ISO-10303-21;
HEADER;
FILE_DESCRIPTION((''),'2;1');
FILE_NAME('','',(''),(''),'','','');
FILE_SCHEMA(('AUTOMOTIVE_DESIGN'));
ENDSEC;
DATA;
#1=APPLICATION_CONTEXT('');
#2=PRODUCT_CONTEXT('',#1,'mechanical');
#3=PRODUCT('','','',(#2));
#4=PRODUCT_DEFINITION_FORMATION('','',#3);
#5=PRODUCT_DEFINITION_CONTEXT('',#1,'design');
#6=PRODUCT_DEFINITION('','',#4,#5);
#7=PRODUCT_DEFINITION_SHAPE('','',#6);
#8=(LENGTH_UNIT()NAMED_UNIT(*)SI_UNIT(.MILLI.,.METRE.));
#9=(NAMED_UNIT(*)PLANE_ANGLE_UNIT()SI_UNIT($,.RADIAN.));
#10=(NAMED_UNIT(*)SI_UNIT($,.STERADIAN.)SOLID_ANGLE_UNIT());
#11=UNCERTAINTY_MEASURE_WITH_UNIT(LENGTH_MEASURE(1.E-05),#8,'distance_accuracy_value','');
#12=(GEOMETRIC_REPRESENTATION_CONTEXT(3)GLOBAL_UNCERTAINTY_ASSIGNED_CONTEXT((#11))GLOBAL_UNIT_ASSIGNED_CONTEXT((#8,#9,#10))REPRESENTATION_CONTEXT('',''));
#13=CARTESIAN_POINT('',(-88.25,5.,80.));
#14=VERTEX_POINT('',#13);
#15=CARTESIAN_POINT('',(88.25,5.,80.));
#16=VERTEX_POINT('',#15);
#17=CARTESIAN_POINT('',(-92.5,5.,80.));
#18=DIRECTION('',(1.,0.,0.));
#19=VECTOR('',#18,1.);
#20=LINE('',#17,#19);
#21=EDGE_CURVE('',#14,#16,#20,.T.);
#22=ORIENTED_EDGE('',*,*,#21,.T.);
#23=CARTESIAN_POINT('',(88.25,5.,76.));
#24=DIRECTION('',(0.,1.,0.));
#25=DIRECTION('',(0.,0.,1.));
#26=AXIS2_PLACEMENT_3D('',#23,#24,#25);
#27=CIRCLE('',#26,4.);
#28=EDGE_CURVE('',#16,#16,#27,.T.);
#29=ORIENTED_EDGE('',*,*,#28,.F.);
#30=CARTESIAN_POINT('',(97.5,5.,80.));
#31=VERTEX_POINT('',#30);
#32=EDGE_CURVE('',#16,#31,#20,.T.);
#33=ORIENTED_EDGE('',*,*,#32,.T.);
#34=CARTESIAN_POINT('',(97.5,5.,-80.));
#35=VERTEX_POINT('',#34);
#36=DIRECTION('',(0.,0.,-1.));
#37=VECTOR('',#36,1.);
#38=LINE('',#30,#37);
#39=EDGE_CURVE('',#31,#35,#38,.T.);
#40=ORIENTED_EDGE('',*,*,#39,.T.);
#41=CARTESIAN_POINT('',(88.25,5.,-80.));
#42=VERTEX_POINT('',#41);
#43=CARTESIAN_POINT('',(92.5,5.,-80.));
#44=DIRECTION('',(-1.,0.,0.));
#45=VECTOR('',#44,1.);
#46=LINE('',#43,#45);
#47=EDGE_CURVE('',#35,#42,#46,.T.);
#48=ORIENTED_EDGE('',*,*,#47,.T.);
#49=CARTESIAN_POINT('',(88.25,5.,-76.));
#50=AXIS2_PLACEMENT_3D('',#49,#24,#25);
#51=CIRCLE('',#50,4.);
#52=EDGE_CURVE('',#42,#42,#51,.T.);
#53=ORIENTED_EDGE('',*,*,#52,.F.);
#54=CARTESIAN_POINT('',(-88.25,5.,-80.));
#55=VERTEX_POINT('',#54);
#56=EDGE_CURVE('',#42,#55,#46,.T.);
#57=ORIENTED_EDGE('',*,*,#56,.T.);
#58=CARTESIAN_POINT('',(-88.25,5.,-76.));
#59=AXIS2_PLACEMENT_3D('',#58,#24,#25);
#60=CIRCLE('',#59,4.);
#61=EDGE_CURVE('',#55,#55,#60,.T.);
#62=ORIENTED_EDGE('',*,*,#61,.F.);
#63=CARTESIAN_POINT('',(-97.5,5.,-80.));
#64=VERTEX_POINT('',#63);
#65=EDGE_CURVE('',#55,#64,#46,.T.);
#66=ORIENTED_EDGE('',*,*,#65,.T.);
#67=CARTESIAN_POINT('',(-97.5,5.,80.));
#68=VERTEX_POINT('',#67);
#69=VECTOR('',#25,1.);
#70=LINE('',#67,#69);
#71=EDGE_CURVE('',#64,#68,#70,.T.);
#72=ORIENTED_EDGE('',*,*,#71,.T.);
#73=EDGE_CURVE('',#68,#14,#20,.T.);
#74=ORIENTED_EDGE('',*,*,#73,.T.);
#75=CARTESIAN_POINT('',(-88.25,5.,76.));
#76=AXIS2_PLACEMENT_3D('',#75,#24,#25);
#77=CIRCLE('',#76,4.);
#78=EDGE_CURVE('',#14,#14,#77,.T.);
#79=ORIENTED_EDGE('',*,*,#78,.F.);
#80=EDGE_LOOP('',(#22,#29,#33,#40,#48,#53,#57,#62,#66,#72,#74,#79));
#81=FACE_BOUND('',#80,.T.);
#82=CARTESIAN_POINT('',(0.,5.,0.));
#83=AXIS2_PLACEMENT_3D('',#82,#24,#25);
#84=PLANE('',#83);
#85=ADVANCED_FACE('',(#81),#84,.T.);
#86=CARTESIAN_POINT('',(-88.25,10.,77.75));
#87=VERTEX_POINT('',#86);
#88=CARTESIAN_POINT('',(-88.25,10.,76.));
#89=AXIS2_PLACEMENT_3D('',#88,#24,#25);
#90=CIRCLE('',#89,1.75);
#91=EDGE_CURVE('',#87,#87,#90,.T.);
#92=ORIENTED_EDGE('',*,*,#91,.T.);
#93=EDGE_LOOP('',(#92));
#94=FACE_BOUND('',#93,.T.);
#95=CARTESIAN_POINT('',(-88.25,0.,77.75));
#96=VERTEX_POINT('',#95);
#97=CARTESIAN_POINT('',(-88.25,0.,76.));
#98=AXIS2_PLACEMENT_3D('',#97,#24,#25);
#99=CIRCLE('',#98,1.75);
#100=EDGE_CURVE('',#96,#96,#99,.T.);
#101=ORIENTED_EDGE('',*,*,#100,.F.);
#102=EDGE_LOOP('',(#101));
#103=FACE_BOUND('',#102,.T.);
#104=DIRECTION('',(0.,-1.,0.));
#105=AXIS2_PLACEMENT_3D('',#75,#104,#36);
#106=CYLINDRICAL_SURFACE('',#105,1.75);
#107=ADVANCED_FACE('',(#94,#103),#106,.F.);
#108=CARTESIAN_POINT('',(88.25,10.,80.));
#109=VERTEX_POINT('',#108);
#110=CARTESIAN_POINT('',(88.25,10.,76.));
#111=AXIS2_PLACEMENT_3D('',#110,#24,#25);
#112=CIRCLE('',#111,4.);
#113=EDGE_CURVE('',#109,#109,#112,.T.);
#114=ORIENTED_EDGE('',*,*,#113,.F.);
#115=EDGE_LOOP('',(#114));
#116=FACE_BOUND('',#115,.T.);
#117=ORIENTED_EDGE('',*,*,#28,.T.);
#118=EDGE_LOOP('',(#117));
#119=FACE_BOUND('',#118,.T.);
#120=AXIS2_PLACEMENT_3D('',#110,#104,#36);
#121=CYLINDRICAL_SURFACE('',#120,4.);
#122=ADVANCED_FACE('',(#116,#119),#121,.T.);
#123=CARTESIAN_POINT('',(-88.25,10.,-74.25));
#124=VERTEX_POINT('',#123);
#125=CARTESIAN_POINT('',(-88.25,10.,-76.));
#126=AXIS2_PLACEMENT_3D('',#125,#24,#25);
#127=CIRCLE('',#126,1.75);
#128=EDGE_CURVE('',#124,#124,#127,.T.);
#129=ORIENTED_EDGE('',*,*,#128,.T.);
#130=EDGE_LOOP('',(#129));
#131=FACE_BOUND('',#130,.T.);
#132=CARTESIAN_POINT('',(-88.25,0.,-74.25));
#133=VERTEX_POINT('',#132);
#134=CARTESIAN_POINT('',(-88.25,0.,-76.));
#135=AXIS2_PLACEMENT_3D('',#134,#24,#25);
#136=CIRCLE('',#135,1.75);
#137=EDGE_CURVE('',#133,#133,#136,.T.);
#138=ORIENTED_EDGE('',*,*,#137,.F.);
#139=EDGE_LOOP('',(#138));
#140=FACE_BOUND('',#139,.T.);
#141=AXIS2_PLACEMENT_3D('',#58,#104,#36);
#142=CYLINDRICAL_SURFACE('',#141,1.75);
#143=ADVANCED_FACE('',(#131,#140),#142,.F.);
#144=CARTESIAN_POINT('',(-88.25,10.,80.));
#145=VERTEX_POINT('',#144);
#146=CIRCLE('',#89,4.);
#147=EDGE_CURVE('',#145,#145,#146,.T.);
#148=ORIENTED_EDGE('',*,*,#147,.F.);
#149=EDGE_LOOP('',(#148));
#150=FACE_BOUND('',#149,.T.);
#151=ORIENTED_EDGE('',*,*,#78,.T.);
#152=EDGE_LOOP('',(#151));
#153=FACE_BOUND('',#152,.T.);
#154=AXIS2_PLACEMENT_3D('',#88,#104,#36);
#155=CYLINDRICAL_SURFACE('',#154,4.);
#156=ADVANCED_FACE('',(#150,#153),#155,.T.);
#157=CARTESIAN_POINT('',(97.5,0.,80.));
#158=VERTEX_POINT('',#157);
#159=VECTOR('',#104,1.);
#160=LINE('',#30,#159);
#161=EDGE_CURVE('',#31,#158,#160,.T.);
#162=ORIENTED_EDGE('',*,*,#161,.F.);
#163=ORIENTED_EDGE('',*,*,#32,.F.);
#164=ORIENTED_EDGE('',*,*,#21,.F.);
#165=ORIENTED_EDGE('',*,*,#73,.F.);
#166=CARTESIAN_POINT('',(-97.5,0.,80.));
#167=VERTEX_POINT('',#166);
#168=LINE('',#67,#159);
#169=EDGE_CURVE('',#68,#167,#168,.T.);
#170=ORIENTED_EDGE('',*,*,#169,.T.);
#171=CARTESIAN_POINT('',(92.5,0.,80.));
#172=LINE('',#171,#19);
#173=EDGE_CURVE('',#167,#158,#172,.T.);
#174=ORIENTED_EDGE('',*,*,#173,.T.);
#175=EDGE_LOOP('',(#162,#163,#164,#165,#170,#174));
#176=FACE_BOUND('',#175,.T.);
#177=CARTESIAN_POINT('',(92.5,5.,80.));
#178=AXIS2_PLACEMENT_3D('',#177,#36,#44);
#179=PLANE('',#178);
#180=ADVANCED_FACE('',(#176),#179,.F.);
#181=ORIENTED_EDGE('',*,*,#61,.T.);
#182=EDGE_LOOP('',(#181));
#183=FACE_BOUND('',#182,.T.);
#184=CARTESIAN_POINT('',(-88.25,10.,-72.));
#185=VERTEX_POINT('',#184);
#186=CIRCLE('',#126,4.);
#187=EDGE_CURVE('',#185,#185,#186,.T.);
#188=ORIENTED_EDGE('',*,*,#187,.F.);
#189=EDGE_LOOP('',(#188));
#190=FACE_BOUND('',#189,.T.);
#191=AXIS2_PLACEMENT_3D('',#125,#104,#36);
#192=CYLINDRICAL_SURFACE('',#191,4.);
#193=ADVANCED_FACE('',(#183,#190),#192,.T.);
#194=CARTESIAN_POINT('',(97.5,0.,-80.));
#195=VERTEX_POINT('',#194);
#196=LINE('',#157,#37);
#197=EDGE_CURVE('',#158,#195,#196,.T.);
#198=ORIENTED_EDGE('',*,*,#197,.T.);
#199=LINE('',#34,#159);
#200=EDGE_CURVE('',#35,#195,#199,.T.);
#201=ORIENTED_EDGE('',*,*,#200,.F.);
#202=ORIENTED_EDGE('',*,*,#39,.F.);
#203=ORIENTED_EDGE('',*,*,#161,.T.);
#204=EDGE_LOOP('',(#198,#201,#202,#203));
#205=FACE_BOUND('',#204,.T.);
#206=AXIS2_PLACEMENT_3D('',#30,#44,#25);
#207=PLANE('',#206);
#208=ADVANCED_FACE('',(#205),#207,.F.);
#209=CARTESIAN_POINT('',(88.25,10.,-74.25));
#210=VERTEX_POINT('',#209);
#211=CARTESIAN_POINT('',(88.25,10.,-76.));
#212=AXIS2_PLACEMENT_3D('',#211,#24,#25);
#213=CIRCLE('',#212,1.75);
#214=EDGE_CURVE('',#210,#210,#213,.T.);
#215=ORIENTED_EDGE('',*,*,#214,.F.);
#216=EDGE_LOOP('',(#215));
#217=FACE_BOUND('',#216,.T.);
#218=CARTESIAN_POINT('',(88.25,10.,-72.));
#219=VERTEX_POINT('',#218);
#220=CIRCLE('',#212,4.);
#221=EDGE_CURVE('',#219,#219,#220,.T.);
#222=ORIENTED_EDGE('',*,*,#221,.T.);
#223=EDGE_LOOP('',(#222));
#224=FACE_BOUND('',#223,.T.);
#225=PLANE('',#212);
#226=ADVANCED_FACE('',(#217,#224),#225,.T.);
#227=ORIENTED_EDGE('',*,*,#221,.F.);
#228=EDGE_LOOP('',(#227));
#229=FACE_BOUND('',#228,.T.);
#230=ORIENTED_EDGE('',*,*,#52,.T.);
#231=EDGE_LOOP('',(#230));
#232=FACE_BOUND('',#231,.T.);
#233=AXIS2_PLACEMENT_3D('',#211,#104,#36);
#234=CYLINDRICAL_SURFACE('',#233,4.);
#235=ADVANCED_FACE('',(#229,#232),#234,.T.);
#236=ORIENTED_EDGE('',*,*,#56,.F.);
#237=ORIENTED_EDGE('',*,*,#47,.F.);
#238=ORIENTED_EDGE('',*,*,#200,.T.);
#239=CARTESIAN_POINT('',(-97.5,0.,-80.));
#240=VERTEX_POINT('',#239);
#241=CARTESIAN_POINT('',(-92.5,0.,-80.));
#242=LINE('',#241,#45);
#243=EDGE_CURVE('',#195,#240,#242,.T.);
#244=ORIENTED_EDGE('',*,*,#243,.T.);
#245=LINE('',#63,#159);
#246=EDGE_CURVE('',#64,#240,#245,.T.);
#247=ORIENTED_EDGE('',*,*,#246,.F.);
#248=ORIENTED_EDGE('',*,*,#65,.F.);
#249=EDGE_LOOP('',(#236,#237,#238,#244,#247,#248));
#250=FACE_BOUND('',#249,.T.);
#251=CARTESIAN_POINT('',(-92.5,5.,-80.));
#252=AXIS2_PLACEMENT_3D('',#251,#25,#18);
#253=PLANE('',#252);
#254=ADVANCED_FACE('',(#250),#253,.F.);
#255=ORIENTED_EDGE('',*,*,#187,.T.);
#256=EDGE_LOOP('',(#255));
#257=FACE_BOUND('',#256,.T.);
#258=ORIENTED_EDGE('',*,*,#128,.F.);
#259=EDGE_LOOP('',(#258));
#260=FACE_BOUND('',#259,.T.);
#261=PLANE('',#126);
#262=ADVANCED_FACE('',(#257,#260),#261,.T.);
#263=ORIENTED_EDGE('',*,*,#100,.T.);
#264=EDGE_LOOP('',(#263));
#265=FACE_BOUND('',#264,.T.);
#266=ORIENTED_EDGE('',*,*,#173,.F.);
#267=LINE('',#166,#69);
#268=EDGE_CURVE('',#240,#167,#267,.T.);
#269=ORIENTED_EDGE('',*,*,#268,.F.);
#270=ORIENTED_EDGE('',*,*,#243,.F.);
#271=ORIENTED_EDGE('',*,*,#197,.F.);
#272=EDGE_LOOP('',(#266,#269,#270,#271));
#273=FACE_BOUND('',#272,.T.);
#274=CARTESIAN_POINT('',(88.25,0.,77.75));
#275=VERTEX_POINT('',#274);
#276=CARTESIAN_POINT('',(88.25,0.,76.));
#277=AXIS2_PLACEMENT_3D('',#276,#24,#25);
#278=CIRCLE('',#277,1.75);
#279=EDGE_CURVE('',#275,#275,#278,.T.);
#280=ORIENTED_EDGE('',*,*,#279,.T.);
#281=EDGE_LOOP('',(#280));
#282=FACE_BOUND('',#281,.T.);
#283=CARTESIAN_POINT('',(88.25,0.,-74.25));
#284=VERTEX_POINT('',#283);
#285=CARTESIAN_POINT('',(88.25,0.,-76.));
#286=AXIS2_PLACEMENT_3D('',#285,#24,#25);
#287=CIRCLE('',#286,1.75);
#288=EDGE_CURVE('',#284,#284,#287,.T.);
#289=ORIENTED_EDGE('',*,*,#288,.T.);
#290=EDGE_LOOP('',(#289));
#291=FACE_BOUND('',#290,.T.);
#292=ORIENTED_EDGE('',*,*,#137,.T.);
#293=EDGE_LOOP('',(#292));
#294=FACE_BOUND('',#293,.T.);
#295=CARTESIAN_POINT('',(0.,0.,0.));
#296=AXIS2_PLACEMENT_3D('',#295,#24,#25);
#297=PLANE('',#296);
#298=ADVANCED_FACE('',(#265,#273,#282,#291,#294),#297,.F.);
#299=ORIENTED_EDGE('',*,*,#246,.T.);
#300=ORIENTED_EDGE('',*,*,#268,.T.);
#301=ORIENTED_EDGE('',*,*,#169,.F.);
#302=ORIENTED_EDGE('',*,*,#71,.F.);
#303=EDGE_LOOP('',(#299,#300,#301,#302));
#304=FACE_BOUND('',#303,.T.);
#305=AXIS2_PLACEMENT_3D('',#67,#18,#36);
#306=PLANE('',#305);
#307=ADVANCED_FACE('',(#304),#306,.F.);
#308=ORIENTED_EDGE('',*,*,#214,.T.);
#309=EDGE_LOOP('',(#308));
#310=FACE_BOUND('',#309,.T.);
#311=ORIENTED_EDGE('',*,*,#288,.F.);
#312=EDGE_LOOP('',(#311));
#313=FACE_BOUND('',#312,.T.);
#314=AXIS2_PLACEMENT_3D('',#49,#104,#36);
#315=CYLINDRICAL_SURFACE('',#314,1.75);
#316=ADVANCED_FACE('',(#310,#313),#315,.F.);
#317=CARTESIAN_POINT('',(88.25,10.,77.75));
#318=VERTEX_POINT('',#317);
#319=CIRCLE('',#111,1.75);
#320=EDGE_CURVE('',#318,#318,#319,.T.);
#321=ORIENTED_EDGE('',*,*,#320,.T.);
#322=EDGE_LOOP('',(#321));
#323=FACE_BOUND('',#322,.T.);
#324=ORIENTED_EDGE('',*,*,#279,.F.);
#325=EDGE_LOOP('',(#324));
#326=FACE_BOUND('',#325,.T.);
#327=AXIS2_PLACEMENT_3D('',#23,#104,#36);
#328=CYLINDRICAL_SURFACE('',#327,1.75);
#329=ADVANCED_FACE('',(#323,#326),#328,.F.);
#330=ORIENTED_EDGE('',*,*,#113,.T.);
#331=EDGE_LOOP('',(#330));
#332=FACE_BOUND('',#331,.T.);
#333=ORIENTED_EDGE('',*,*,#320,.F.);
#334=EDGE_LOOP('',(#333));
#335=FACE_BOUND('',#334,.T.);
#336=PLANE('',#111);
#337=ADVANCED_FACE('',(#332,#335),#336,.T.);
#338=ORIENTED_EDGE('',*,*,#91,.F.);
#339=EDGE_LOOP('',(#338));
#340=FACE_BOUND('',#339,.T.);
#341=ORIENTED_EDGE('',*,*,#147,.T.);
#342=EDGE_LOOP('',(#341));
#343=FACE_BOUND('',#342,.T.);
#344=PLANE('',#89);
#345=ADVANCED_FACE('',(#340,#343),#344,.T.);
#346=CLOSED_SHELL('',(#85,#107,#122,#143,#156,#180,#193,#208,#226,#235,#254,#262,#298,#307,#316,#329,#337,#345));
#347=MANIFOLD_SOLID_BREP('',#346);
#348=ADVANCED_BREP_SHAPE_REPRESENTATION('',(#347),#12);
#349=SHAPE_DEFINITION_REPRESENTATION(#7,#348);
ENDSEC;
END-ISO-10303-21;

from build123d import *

# Parameters (mm, degrees)
SKETCH1_R           = 1.75
BOSS_EXTRUDE1_DEPTH = 5
SKETCH2_R           = 4
SKETCH2_R_2         = 1.75
BOSS_EXTRUDE2_DEPTH = 5


with BuildPart() as part:
    # Sketch1 → Boss-Extrude1 (new body)
    with BuildSketch(Plane(origin=(0, 0, 0), x_dir=(1, 0, 0), z_dir=(0, 1, 0))):
        Polygon((-92.5, -80), (92.5, -80), (97.5, -80), (97.5, 80), (92.5, 80), (-92.5, 80), (-97.5, 80), (-97.5, -80), align=None)
        with Locations((-88.25, 76)):
            Circle(SKETCH1_R, mode=Mode.SUBTRACT)
        with Locations((88.25, 76)):
            Circle(SKETCH1_R, mode=Mode.SUBTRACT)
        with Locations((88.25, -76)):
            Circle(SKETCH1_R, mode=Mode.SUBTRACT)
        with Locations((-88.25, -76)):
            Circle(SKETCH1_R, mode=Mode.SUBTRACT)
    extrude(amount=BOSS_EXTRUDE1_DEPTH)

    # Sketch2 → Boss-Extrude2 (add)
    with BuildSketch(Plane(origin=(0, 5, 0), x_dir=(1, 0, 0), z_dir=(0, 1, 0))):
        with Locations((-88.25, 76)):
            Circle(SKETCH2_R)
        with Locations((-88.25, 76)):
            Circle(SKETCH2_R_2, mode=Mode.SUBTRACT)
        with Locations((88.25, 76)):
            Circle(SKETCH2_R)
        with Locations((88.25, 76)):
            Circle(SKETCH2_R_2, mode=Mode.SUBTRACT)
        with Locations((88.25, -76)):
            Circle(SKETCH2_R)
        with Locations((88.25, -76)):
            Circle(SKETCH2_R_2, mode=Mode.SUBTRACT)
        with Locations((-88.25, -76)):
            Circle(SKETCH2_R)
        with Locations((-88.25, -76)):
            Circle(SKETCH2_R_2, mode=Mode.SUBTRACT)
    extrude(amount=BOSS_EXTRUDE2_DEPTH)


solid = part.part
